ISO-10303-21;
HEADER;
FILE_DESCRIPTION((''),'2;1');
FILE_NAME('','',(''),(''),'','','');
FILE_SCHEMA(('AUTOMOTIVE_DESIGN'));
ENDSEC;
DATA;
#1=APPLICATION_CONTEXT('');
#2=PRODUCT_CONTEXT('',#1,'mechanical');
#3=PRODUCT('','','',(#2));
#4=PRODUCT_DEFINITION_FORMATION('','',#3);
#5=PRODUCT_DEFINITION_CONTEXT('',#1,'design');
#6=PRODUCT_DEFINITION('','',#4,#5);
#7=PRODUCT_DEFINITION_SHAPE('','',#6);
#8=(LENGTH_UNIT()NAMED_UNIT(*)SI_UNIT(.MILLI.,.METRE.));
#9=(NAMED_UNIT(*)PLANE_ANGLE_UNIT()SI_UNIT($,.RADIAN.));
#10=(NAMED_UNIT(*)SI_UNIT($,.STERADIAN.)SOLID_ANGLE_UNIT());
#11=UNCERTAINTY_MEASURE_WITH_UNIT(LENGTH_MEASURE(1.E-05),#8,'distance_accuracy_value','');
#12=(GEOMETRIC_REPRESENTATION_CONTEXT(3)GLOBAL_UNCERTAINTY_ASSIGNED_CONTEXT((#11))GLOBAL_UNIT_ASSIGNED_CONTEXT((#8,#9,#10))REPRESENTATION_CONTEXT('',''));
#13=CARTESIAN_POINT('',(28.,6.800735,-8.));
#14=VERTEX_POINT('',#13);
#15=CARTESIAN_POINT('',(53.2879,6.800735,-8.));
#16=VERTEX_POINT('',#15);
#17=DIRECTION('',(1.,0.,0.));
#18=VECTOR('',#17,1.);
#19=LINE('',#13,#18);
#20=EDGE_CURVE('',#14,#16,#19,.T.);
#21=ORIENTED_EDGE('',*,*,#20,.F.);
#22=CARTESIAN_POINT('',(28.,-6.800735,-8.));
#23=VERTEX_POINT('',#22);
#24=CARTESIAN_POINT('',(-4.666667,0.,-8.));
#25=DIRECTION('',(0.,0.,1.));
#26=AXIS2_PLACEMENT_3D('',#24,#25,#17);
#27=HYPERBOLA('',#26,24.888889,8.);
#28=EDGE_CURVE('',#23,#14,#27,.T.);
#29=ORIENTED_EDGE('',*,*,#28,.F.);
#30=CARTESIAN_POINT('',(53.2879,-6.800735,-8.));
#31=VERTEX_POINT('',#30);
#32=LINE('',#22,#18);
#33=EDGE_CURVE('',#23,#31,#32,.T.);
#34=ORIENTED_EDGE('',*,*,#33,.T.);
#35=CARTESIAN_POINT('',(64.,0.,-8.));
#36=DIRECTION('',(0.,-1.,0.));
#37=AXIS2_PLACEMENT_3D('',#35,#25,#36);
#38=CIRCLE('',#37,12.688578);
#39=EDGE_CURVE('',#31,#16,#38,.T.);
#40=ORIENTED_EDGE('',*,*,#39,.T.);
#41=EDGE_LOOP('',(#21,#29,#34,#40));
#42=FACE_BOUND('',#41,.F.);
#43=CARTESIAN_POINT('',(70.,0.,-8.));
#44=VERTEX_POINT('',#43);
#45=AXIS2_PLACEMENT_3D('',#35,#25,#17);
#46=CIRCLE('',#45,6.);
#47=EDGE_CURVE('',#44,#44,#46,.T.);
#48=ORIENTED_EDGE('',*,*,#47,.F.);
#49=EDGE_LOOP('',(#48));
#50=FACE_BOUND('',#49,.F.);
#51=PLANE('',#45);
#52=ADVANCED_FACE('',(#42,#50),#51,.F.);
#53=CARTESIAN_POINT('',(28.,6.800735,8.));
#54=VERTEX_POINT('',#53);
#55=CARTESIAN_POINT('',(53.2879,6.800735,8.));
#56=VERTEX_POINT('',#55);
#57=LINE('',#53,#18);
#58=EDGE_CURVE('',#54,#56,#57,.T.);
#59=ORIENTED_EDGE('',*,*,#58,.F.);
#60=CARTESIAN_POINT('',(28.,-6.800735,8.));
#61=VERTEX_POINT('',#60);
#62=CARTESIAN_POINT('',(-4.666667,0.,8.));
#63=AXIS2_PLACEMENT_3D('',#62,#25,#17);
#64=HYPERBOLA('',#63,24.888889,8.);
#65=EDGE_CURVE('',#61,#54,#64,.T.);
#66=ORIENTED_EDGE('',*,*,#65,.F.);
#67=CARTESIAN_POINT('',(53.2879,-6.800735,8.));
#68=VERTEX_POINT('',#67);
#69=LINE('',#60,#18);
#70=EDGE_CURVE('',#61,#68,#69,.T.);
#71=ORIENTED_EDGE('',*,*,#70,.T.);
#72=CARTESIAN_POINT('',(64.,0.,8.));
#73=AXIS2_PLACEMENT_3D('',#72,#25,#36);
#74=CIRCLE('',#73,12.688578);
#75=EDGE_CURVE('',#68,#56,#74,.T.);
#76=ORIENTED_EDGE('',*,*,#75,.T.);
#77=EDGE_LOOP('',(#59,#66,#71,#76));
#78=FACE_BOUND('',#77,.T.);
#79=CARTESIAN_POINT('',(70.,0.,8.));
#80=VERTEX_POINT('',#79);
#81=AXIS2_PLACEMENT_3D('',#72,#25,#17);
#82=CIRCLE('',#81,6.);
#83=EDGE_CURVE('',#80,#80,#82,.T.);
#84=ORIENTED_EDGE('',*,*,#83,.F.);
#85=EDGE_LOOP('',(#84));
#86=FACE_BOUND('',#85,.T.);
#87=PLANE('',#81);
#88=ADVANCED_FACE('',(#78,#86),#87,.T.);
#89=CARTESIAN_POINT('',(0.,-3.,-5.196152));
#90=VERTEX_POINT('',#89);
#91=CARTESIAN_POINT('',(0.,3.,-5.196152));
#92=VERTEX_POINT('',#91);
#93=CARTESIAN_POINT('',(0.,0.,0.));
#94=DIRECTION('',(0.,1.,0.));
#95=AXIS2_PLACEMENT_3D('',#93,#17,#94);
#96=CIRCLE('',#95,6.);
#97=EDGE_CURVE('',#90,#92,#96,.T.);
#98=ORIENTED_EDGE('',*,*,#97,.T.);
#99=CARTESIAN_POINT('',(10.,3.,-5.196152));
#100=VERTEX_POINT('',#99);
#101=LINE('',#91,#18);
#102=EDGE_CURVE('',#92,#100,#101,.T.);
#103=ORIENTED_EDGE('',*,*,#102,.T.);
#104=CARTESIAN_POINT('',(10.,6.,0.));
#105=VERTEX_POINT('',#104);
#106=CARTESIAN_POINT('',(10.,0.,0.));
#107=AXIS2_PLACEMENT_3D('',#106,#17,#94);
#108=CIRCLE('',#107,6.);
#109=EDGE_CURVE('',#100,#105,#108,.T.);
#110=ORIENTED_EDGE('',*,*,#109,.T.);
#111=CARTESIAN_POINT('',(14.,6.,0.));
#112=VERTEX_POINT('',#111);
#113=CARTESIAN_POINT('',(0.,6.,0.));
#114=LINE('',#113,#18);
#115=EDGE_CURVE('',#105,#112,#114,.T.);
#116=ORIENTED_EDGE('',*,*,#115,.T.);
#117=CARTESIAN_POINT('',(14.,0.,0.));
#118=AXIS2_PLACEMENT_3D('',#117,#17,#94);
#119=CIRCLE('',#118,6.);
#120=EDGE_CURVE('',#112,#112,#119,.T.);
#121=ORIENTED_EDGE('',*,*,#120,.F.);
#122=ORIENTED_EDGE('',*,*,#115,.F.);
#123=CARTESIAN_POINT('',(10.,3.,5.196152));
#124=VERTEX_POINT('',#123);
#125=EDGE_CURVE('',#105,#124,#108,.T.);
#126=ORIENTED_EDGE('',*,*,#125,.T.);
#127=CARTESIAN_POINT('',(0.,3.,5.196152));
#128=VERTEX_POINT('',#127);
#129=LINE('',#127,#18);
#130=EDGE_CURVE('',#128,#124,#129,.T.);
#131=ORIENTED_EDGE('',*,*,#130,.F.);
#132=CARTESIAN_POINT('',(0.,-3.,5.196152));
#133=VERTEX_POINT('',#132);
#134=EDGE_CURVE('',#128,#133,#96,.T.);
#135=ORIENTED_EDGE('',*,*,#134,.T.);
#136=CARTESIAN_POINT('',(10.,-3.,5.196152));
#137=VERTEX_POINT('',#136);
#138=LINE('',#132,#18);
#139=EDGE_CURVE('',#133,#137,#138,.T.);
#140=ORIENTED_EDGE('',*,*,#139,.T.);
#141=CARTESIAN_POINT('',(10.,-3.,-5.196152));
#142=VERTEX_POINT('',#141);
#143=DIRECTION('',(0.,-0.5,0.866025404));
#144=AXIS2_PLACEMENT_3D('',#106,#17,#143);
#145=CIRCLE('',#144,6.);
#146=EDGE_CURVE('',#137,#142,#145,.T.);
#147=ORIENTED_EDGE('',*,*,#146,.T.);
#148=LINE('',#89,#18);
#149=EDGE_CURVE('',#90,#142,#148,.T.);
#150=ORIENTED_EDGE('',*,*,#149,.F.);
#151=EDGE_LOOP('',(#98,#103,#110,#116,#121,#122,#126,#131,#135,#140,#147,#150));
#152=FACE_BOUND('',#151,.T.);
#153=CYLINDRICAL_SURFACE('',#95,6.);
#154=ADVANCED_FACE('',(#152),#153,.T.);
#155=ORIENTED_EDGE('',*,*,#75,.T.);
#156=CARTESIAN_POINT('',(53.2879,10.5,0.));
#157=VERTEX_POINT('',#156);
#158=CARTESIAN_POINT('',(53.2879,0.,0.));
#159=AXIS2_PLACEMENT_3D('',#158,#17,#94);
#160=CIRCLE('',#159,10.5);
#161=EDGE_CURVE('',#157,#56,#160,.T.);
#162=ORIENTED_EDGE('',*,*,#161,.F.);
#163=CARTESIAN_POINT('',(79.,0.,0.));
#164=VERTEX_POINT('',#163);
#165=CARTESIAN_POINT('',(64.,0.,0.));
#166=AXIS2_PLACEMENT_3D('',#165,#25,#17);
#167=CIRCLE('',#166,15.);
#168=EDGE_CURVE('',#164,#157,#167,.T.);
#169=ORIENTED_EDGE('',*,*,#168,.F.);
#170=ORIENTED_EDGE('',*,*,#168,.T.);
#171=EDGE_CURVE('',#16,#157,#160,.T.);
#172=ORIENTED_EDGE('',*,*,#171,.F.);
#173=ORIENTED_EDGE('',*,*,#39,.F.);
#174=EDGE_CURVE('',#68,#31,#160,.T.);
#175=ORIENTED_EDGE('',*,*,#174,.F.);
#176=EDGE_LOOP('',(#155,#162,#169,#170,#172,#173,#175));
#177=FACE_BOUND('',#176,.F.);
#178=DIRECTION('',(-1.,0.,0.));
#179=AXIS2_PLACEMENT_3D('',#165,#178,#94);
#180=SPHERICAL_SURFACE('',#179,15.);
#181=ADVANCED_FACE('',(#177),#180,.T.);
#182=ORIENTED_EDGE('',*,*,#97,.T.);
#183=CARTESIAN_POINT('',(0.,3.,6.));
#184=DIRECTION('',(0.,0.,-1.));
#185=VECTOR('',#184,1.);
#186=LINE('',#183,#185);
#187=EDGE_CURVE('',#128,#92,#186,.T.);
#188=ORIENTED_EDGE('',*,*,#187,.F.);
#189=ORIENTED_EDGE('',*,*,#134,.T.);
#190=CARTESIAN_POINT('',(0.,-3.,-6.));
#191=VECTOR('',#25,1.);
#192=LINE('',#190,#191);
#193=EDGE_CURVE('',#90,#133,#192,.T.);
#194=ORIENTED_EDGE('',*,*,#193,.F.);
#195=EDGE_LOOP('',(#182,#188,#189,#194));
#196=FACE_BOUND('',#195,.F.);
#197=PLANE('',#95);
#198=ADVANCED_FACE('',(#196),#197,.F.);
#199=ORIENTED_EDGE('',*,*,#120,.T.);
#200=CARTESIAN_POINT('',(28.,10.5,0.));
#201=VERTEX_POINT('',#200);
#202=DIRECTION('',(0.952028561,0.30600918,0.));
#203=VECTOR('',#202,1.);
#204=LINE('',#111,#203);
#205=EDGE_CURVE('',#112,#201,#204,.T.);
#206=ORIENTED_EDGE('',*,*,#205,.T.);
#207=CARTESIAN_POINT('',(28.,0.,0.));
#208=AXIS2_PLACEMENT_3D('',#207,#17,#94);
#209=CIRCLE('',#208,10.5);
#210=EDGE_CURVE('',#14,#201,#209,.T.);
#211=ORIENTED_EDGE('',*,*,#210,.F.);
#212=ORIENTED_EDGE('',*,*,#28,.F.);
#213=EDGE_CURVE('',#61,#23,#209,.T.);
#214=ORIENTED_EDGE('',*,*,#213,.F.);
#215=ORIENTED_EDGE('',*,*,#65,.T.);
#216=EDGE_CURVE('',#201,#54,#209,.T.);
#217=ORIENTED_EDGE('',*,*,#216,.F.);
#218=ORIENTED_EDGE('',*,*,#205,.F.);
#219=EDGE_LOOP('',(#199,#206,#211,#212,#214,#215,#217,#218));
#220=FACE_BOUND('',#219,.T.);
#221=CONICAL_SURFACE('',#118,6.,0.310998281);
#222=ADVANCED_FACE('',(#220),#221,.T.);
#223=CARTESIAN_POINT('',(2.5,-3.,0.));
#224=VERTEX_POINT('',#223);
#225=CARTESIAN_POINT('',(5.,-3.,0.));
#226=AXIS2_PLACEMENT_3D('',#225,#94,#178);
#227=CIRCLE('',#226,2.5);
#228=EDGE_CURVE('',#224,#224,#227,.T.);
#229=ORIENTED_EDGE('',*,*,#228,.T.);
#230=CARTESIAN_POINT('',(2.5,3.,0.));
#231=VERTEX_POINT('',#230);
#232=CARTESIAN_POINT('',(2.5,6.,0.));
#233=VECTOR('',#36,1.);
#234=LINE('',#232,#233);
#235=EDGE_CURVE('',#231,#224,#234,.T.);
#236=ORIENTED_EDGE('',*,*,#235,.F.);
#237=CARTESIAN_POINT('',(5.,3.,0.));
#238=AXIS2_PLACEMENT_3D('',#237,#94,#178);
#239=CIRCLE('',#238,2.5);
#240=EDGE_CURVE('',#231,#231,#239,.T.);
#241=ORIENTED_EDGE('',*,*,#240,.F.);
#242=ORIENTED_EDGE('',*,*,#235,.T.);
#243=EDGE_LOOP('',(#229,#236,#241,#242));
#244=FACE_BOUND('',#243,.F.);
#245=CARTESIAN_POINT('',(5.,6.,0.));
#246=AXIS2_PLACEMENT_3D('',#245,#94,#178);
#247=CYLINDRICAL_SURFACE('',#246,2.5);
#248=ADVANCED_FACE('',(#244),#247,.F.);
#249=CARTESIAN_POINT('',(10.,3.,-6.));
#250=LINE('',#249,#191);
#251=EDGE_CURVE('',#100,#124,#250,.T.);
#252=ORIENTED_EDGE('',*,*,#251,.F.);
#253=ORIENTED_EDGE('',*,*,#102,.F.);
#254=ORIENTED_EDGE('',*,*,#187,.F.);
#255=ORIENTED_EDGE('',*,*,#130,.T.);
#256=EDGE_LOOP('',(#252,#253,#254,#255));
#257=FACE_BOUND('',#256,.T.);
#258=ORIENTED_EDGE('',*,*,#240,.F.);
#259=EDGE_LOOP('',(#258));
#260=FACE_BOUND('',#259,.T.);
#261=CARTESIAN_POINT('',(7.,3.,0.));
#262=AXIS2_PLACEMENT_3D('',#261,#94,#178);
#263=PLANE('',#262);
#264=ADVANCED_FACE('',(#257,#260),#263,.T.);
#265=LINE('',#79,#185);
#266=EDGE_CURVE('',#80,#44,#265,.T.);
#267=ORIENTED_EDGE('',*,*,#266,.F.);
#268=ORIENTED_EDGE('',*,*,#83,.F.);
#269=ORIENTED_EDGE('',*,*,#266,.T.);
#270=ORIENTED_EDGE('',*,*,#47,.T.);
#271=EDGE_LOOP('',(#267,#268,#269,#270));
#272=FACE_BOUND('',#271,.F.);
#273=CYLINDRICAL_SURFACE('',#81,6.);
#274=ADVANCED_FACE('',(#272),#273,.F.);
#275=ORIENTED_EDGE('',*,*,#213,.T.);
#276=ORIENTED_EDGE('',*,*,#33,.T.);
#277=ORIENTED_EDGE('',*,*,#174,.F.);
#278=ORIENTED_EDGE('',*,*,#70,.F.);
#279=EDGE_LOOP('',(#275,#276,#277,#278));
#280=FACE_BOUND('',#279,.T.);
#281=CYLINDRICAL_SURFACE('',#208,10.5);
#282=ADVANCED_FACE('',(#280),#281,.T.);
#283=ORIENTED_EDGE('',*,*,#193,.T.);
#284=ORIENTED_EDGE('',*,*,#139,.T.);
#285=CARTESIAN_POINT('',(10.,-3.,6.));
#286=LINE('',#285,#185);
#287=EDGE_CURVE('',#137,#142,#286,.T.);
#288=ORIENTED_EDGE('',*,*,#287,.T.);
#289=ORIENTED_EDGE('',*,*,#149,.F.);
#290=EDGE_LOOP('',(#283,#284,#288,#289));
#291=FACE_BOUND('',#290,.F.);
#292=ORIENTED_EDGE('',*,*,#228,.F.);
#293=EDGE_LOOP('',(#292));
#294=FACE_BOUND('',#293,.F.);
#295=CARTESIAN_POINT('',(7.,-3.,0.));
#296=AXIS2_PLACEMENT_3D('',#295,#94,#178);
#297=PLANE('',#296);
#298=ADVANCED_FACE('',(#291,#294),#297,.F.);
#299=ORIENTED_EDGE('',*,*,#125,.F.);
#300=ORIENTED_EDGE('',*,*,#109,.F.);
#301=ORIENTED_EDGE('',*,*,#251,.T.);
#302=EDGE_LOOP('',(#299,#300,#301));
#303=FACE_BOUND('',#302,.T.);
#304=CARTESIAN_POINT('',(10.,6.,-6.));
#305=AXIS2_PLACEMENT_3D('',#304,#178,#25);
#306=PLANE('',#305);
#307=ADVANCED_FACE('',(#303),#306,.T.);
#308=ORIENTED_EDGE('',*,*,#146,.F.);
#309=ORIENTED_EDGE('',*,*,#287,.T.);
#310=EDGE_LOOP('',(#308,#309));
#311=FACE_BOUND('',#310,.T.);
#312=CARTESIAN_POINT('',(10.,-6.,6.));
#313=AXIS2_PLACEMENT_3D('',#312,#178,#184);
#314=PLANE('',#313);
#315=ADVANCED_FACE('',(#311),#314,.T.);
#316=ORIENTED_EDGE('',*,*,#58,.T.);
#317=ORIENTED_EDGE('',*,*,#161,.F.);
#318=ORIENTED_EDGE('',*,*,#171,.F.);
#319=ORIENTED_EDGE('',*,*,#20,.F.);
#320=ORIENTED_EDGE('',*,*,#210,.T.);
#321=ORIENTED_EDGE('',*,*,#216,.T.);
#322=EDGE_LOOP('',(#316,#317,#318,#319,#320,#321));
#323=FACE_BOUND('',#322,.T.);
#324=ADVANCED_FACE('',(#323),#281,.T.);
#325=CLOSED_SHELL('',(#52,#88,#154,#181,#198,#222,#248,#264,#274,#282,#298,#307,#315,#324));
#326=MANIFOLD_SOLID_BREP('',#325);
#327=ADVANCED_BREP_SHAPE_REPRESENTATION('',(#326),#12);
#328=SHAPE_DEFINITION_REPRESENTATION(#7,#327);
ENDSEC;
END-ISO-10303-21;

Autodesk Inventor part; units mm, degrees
sketch "Szkic1" plane through (0, 0, 0) normal (0, 0, 1) x (1, 0, 0)
  line L0 (0, 6) -> (14, 6)
  line L1 (14, 6) -> (14, 0)
  line L2 (14, 6) -> (28, 10.5)
  line L3 (28, 10.5) -> (28, 0)
  line L4 (28, 10.5) -> (53.2879, 10.5)
  circle A0 centre (64, 0) radius 15
  line L5 (0, 6) -> (0, 0)
  line L6 (0, 0) -> (79, 0)
  dimension "d5" = 30
  dimension "d6" = 14
  dimension "d7" = 14
  dimension "d8" = 64
  dimension "d13" = 12
  dimension "d14" = 21
revolve "Obrót1" add sketch "Szkic1" angle 360 about axis through (0, 0, 0) along (1, 0, 0) picked at (60.2352, 8.4613) contours L0 L1 L6 L5 | L2 L3 L6 L1 | L4 A0 L6 L3 | A0 L6
ref_plane "Płaszczyzna konstrukcyjna1" through (64, 0, -15) normal (0, 0, 1) x (1, 0, 0)
ref_plane "Płaszczyzna konstrukcyjna3" through (64, 0, 0) normal (0, 0, 1) x (1, 0, 0)
ref_plane "Płaszczyzna konstrukcyjna2" through (64, 0, 15) normal (0, 0, 1) x (1, 0, 0)
ref_plane "Płaszczyzna konstrukcyjna4" through (64, 0, 8) normal (0, 0, 1) x (1, 0, 0)
ref_plane "Płaszczyzna konstrukcyjna5" through (64, 0, -8) normal (0, 0, 1) x (1, 0, 0)
sketch "Szkic2" plane through (64, 0, -8) normal (0, 0, 1) x (1, 0, 0)
  line L0 (18, 16) -> (-68, 16)
  line L1 (-68, 16) -> (-68, -17)
  line L2 (-68, -17) -> (18, -17)
  line L3 (18, -17) -> (18, 16)
  point P0 (-64, 0)
extrude "Wyciągnięcie proste1" cut sketch "Szkic2" against normal blind 10
sketch "Szkic3" plane through (64, 0, 8) normal (0, 0, 1) x (1, 0, 0)
  line L0 (20, 22) -> (-75, 22)
  line L1 (-75, 22) -> (-75, -17)
  line L2 (-75, -17) -> (20, -17)
  line L3 (20, -17) -> (20, 22)
  point P0 (-64, 0)
extrude "Wyciągnięcie proste2" cut sketch "Szkic3" along normal blind 10
sketch "Szkic4" plane through (64, 0, 8) normal (0, 0, 1) x (1, 0, 0)
  arc A0 (-10.7121, -10.5) -> (-10.7121, 10.5) centre (0, 0) ccw projected
  circle A1 centre (0, 0) radius 6
  point P0 (-64, 0)
  dimension "d19" = 12
extrude "Wyciągnięcie proste3" cut sketch "Szkic4" against normal up to surface (16 mm away)
ref_plane "Płaszczyzna konstrukcyjna6" through (7, 6, 0) normal (0, 1, 0) x (-1, 0, 0)
sketch "Szkic5" plane through (7, 6, 0) normal (0, 1, 0) x (-1, 0, 0)
  line L0 (7, 6) -> (7, -6) projected
  line L1 (7, -6) -> (-7, -6) projected
  line L2 (-7, 6) -> (-7, -6) projected
  line L3 (7, 6) -> (-7, 6) projected
  line L4 (7, -6) -> (-3, -6)
  line L5 (-3, -6) -> (-3, 6)
  line L6 (-3, 6) -> (7, 6)
  line L7 (7, 6) -> (7, -6)
  point P0 (7, 0)
  point P1 (-3, -6)
  dimension "d22" = 10
extrude "Wyciągnięcie proste4" cut sketch "Szkic5" against normal blind 3 contours L0 L1 L5 L3
ref_plane "Płaszczyzna konstrukcyjna7" through (7, 6, 0) normal (0, 1, 0) x (-1, 0, 0)
ref_plane "Płaszczyzna konstrukcyjna8" through (7, -6, 0) normal (0, 1, 0) x (-1, 0, 0)
sketch "Szkic6" plane through (7, -6, 0) normal (0, 1, 0) x (-1, 0, 0)
  point P0 (7, 0)
sketch "Szkic7" plane through (7, -6, 0) normal (0, 1, 0) x (-1, 0, 0)
  line L0 (7, 6) -> (-3, 6)
  line L1 (-3, 6) -> (-3, -6)
  line L2 (-3, -6) -> (7, -6)
  line L3 (7, -6) -> (7, 6)
  point P0 (7, 0)
extrude "Wyciągnięcie proste5" cut sketch "Szkic7" along normal blind 3
sketch "Szkic8" plane through (7, 6, 0) normal (0, 1, 0) x (-1, 0, 0)
  circle A0 centre (2, 0) radius 2.5
  line L0 (7, 5.1962) -> (7, -5.1962) projected
  point P0 (7, 0)
  dimension "d28" = 5
  dimension "d29" = 5
extrude "Wyciągnięcie proste6" cut sketch "Szkic8" against normal through all
properties part number "Bartosz_Zukowski_walek_04_10"
